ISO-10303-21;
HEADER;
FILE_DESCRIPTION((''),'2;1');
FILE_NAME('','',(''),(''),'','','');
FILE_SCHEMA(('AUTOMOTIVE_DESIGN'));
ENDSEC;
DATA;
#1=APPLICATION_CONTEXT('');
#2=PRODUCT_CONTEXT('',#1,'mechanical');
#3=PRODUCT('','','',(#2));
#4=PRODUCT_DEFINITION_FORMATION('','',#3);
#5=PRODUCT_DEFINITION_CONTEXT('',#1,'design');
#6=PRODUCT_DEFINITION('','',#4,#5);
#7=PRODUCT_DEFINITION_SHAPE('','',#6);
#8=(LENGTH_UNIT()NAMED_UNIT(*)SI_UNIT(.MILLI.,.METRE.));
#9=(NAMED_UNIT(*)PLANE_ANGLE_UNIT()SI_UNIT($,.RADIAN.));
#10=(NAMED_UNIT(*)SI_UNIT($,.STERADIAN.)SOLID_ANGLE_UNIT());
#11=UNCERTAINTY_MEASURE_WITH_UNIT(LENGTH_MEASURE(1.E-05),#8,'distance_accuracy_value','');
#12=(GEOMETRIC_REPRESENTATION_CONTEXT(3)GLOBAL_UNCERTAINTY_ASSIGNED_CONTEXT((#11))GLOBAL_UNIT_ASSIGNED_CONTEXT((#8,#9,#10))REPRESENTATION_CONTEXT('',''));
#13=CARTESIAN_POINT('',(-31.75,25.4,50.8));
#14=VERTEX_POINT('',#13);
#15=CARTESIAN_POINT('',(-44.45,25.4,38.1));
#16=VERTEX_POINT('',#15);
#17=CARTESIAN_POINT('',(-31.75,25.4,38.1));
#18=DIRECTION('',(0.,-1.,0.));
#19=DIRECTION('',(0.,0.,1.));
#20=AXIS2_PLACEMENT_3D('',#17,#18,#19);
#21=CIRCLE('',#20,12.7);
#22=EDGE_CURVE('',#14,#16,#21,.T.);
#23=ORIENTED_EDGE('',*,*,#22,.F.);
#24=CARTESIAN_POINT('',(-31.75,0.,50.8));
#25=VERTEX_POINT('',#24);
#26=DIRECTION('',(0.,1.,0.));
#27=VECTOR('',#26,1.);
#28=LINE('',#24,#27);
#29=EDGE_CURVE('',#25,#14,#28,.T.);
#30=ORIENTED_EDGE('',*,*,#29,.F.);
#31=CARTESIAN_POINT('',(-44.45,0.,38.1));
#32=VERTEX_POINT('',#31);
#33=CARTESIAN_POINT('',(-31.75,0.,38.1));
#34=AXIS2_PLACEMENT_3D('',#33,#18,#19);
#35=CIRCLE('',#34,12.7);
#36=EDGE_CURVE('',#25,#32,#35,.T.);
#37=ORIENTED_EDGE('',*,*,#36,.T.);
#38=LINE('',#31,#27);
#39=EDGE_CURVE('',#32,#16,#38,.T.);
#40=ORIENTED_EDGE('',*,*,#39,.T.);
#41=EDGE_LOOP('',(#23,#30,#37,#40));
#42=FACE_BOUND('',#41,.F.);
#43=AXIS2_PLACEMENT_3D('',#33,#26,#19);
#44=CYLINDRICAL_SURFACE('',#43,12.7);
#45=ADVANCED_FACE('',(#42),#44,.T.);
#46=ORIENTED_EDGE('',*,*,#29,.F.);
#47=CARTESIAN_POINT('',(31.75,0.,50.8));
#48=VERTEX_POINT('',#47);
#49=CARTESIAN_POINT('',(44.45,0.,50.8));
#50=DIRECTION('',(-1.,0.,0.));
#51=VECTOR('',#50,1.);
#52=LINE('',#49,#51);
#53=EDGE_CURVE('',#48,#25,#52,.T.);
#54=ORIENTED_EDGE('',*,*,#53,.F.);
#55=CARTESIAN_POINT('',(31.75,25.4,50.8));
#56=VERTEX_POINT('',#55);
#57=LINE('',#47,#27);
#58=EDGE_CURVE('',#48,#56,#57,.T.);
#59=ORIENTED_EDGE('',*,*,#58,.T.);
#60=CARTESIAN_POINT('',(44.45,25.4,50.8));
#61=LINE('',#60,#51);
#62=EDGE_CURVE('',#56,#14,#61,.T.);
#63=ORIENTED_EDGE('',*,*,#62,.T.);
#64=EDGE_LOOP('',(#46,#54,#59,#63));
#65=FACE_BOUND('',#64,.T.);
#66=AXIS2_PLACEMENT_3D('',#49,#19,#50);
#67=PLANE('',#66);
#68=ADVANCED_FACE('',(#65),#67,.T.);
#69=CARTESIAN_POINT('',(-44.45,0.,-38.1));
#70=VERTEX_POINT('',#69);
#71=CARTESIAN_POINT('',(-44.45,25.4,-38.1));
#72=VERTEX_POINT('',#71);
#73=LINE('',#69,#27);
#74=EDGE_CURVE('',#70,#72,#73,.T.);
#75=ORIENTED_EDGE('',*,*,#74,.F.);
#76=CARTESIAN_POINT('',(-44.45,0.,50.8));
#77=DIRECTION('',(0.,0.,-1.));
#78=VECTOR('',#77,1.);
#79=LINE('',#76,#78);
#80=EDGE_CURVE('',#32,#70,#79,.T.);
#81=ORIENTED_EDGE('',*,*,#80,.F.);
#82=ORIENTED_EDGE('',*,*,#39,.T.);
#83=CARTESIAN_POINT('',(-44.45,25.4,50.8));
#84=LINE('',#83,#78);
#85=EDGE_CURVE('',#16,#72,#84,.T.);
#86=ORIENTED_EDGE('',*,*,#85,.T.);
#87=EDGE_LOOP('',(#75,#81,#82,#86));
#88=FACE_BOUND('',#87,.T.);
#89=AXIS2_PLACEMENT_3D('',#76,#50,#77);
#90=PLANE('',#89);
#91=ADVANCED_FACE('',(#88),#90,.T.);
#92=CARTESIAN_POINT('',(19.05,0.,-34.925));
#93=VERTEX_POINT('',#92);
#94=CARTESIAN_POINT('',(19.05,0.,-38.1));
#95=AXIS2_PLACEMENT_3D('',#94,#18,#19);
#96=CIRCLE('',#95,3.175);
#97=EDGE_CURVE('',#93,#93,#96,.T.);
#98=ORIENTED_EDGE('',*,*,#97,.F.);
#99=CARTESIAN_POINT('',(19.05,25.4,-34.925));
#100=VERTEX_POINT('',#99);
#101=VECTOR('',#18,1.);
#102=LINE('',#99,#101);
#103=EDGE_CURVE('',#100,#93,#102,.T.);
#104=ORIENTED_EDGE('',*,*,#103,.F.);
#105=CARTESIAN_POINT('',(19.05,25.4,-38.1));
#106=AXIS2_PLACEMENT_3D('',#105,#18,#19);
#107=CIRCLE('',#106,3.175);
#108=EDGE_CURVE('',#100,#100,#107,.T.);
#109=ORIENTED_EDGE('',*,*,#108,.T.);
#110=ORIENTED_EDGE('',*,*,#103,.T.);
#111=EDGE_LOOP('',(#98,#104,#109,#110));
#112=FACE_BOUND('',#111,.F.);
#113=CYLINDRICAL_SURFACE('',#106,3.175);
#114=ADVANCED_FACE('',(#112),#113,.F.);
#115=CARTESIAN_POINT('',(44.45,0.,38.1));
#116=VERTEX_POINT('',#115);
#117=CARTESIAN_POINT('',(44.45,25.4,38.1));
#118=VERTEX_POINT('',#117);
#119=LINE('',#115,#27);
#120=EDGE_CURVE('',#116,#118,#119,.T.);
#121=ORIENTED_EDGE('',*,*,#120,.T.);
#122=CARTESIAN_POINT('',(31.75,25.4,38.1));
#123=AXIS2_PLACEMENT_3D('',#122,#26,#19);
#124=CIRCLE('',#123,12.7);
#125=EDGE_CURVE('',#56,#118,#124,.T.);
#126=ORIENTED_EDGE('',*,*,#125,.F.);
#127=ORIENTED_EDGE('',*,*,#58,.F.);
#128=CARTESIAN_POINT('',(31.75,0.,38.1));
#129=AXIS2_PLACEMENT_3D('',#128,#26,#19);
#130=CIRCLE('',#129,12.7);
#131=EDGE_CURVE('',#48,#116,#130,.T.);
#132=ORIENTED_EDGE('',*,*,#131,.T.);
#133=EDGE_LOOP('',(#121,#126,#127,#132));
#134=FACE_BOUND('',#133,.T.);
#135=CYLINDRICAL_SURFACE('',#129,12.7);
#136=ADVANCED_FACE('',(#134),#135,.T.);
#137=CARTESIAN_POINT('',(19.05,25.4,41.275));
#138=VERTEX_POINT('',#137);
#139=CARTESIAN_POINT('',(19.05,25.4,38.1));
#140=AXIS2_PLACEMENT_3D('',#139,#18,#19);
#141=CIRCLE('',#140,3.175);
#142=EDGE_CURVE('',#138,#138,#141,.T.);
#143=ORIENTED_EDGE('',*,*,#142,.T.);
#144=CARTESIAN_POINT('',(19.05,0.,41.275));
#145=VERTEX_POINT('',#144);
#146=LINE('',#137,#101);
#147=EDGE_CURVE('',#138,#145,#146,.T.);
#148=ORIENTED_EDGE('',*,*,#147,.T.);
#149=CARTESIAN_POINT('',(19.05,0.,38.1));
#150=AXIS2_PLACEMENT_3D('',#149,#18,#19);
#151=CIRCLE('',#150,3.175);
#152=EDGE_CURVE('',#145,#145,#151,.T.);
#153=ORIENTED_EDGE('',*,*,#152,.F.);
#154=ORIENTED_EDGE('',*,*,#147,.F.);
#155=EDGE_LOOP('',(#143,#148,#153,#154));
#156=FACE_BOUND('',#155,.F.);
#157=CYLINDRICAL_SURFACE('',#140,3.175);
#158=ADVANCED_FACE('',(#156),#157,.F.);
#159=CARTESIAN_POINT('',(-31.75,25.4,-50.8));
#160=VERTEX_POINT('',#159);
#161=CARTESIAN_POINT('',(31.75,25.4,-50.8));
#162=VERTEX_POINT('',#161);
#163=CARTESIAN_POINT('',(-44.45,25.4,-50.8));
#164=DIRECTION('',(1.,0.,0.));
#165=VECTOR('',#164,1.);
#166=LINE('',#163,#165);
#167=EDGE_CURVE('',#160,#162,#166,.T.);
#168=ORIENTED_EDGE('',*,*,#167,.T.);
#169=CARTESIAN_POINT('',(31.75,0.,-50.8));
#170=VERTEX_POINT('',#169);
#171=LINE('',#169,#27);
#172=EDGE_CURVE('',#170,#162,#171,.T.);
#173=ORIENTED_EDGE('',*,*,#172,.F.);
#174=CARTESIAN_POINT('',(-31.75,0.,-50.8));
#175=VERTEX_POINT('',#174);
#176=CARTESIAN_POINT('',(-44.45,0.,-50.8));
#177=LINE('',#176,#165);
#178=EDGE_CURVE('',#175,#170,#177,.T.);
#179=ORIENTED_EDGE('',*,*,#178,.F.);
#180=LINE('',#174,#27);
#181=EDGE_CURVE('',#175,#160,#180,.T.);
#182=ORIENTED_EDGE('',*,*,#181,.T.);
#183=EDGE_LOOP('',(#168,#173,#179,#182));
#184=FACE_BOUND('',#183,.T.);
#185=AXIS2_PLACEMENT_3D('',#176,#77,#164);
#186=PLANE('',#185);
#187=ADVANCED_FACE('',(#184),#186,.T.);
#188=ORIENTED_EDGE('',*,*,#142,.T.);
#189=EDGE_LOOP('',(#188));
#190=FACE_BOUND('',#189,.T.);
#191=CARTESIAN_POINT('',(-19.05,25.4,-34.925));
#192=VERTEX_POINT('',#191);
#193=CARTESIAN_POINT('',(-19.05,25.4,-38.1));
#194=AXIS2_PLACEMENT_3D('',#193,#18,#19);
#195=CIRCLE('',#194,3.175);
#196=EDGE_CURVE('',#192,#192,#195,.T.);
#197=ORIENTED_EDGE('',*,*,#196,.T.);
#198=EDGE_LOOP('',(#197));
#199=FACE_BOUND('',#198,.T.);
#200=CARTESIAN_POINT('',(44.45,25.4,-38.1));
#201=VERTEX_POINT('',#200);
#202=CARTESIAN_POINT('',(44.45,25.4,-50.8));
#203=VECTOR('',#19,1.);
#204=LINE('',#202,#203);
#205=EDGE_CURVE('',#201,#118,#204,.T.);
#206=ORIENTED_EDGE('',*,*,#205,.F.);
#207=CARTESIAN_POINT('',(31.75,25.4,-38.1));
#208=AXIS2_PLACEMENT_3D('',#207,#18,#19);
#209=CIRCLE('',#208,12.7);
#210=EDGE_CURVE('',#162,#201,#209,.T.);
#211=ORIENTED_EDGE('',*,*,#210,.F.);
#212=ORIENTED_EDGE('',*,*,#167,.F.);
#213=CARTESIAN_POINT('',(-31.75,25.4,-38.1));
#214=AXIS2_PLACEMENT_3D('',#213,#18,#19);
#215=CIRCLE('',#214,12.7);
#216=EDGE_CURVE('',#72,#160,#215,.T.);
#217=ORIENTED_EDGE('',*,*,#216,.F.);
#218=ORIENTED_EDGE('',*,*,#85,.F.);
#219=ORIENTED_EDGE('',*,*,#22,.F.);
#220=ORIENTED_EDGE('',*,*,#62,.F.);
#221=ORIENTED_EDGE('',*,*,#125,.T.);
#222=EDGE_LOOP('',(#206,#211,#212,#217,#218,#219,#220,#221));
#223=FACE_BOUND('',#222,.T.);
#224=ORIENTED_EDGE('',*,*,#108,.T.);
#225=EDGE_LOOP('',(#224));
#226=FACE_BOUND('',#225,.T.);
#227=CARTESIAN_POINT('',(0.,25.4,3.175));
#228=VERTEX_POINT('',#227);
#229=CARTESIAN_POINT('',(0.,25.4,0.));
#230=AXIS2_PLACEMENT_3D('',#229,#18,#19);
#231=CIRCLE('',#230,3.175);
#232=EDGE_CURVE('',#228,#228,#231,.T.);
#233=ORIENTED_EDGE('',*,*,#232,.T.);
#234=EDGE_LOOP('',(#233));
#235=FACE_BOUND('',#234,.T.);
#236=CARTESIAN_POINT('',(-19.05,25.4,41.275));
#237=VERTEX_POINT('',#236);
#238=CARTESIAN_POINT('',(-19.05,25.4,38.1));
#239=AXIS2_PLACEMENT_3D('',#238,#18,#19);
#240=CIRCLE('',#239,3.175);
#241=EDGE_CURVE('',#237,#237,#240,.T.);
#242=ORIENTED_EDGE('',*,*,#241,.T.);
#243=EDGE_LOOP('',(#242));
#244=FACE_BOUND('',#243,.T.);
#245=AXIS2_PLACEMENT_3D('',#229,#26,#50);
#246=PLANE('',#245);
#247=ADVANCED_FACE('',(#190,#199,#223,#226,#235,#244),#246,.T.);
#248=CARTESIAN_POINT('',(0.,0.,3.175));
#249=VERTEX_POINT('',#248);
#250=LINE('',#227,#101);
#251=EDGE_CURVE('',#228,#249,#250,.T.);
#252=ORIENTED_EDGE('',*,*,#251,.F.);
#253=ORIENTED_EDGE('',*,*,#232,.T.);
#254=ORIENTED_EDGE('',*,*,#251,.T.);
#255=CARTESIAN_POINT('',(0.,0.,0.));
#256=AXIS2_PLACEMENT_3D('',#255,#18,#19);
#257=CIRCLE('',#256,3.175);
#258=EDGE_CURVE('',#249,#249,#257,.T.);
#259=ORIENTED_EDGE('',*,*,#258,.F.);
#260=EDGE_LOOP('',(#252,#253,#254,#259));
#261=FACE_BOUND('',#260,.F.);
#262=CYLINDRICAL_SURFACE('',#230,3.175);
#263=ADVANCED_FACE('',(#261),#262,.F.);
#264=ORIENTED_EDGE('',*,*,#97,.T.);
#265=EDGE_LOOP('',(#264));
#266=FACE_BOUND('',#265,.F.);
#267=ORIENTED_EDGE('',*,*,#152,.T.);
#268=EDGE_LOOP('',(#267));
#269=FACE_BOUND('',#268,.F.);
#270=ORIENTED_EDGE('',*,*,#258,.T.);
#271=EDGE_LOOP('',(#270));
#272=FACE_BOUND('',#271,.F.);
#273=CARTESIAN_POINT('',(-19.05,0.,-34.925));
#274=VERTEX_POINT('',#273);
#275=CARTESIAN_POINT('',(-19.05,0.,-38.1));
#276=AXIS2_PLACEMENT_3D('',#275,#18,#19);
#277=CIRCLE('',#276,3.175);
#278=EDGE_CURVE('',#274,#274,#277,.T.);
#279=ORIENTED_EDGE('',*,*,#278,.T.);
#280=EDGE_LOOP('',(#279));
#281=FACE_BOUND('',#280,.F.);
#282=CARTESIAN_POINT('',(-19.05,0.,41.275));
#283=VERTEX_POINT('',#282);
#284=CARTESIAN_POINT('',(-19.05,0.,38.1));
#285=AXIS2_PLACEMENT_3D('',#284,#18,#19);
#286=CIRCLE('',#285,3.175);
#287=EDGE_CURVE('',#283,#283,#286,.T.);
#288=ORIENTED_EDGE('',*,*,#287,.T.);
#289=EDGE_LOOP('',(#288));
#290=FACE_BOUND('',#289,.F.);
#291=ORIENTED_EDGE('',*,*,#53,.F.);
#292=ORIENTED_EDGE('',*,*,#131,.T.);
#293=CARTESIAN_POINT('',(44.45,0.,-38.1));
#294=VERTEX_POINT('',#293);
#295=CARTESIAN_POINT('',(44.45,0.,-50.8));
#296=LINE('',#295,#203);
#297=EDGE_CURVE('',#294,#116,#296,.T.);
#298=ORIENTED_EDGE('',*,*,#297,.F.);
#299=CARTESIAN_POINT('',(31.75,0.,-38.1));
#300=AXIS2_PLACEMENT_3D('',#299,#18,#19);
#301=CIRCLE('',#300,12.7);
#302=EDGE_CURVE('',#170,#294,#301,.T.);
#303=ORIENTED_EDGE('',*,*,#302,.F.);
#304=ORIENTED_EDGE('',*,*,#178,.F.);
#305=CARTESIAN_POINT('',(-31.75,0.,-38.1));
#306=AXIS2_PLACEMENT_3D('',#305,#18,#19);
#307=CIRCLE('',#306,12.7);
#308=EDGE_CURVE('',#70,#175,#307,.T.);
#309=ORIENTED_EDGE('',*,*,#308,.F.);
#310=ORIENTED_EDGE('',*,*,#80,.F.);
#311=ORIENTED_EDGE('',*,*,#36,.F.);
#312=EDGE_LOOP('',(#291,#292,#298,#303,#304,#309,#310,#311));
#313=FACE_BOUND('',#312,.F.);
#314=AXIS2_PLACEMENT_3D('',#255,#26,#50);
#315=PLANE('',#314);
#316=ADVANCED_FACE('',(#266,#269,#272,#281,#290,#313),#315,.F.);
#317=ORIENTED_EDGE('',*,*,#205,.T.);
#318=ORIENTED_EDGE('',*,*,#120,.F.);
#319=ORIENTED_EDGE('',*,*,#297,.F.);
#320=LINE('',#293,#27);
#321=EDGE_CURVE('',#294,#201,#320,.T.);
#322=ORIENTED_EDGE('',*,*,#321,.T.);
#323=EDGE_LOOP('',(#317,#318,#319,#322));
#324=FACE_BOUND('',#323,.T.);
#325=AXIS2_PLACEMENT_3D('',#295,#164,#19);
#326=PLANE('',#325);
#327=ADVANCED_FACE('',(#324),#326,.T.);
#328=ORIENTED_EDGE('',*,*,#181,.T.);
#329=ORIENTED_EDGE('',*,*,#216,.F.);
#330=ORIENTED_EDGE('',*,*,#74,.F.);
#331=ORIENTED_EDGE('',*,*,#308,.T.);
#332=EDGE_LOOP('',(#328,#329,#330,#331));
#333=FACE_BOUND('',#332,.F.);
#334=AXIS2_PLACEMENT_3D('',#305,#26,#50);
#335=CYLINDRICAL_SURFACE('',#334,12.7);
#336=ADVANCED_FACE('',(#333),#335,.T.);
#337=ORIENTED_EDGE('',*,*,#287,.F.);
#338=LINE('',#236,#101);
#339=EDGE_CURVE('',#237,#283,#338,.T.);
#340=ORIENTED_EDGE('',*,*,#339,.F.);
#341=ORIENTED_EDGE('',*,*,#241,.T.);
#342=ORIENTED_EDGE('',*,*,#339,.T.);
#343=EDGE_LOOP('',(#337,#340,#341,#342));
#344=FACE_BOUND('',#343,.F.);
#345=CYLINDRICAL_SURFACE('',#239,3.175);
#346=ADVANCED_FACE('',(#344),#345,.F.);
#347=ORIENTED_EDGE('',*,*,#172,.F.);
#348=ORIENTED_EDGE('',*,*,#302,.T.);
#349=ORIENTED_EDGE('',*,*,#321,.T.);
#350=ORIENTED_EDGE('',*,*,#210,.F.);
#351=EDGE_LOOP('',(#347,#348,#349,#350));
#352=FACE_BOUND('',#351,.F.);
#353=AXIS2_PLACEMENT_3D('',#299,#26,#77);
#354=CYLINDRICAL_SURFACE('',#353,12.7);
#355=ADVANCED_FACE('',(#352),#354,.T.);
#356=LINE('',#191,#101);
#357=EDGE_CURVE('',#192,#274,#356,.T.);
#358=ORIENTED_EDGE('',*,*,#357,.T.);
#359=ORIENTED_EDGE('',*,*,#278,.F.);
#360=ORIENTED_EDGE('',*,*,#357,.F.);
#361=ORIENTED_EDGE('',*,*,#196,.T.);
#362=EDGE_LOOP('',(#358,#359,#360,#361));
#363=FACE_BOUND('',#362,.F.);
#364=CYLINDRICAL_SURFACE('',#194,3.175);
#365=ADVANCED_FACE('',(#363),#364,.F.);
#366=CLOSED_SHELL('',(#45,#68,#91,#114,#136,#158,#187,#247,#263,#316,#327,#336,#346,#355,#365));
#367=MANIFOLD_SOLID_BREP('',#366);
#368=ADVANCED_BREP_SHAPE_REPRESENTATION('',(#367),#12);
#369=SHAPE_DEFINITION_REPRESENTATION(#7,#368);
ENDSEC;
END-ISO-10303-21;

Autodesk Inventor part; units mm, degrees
ref_plane "YZ Plane" through (0, 0, 0) normal (1, 0, 0) x (0, 1, 0)
ref_plane "XZ Plane" through (0, 0, 0) normal (0, 1, 0) x (-1, 0, 0)
ref_plane "XY Plane" through (0, 0, 0) normal (0, 0, 1) x (1, 0, 0)
sketch "Sketch2" plane through (0, 0, 0) normal (0, 1, 0) x (-1, 0, 0)
  line L0 (-44.45, 50.8) -> (44.45, 50.8)
  line L1 (44.45, 50.8) -> (44.45, -50.8)
  line L2 (44.45, -50.8) -> (-44.45, -50.8)
  line L3 (-44.45, -50.8) -> (-44.45, 50.8)
  point P0 (0, 0)
  dimension "d0" = 44.45
  dimension "d1" = 44.45
  dimension "d2" = 50.8
  dimension "d3" = 50.8
extrude "Extrusion1" add sketch "Sketch2" along normal blind 25.4
fillet "Fillet1" radius 12.7 4 edges at (44.45, 12.7, 50.8) (-44.45, 12.7, 50.8) (44.45, 12.7, -50.8) (-44.45, 12.7, -50.8)
sketch "Sketch3" plane through (0, 25.4, 0) normal (0, 1, 0) x (1, 0, 0)
  line L0 (-44.45, -38.1) -> (-44.45, 38.1) projected
  line L1 (31.75, -50.8) -> (-31.75, -50.8) projected
  line L2 (44.45, 38.1) -> (44.45, -38.1) projected
  line L3 (-31.75, 50.8) -> (31.75, 50.8) projected
  point P0 (0, 0)
  point P1 (-19.05, 38.1)
  point P2 (19.05, 38.1)
  point P3 (19.05, -38.1)
  point P4 (-19.05, -38.1)
  point P5 (0, 0)
  dimension "d7" = 25.4
  dimension "d8" = 25.4
  dimension "d9" = 12.7
  dimension "d10" = 12.7
hole "Hole1" at (-19.05, 25.4, -38.1) at (19.05, 25.4, -38.1) at (19.05, 25.4, 38.1) at (-19.05, 25.4, 38.1) at (0, 25.4, 0) direction (0, -1, 0) diameter 6.35 end through all
equation "\"d1\" = d0"
equation "\"d3\" = d2"
equation "\"d8\" = d7"
properties part number "Fixed Extension" material "Aluminum-6061"
